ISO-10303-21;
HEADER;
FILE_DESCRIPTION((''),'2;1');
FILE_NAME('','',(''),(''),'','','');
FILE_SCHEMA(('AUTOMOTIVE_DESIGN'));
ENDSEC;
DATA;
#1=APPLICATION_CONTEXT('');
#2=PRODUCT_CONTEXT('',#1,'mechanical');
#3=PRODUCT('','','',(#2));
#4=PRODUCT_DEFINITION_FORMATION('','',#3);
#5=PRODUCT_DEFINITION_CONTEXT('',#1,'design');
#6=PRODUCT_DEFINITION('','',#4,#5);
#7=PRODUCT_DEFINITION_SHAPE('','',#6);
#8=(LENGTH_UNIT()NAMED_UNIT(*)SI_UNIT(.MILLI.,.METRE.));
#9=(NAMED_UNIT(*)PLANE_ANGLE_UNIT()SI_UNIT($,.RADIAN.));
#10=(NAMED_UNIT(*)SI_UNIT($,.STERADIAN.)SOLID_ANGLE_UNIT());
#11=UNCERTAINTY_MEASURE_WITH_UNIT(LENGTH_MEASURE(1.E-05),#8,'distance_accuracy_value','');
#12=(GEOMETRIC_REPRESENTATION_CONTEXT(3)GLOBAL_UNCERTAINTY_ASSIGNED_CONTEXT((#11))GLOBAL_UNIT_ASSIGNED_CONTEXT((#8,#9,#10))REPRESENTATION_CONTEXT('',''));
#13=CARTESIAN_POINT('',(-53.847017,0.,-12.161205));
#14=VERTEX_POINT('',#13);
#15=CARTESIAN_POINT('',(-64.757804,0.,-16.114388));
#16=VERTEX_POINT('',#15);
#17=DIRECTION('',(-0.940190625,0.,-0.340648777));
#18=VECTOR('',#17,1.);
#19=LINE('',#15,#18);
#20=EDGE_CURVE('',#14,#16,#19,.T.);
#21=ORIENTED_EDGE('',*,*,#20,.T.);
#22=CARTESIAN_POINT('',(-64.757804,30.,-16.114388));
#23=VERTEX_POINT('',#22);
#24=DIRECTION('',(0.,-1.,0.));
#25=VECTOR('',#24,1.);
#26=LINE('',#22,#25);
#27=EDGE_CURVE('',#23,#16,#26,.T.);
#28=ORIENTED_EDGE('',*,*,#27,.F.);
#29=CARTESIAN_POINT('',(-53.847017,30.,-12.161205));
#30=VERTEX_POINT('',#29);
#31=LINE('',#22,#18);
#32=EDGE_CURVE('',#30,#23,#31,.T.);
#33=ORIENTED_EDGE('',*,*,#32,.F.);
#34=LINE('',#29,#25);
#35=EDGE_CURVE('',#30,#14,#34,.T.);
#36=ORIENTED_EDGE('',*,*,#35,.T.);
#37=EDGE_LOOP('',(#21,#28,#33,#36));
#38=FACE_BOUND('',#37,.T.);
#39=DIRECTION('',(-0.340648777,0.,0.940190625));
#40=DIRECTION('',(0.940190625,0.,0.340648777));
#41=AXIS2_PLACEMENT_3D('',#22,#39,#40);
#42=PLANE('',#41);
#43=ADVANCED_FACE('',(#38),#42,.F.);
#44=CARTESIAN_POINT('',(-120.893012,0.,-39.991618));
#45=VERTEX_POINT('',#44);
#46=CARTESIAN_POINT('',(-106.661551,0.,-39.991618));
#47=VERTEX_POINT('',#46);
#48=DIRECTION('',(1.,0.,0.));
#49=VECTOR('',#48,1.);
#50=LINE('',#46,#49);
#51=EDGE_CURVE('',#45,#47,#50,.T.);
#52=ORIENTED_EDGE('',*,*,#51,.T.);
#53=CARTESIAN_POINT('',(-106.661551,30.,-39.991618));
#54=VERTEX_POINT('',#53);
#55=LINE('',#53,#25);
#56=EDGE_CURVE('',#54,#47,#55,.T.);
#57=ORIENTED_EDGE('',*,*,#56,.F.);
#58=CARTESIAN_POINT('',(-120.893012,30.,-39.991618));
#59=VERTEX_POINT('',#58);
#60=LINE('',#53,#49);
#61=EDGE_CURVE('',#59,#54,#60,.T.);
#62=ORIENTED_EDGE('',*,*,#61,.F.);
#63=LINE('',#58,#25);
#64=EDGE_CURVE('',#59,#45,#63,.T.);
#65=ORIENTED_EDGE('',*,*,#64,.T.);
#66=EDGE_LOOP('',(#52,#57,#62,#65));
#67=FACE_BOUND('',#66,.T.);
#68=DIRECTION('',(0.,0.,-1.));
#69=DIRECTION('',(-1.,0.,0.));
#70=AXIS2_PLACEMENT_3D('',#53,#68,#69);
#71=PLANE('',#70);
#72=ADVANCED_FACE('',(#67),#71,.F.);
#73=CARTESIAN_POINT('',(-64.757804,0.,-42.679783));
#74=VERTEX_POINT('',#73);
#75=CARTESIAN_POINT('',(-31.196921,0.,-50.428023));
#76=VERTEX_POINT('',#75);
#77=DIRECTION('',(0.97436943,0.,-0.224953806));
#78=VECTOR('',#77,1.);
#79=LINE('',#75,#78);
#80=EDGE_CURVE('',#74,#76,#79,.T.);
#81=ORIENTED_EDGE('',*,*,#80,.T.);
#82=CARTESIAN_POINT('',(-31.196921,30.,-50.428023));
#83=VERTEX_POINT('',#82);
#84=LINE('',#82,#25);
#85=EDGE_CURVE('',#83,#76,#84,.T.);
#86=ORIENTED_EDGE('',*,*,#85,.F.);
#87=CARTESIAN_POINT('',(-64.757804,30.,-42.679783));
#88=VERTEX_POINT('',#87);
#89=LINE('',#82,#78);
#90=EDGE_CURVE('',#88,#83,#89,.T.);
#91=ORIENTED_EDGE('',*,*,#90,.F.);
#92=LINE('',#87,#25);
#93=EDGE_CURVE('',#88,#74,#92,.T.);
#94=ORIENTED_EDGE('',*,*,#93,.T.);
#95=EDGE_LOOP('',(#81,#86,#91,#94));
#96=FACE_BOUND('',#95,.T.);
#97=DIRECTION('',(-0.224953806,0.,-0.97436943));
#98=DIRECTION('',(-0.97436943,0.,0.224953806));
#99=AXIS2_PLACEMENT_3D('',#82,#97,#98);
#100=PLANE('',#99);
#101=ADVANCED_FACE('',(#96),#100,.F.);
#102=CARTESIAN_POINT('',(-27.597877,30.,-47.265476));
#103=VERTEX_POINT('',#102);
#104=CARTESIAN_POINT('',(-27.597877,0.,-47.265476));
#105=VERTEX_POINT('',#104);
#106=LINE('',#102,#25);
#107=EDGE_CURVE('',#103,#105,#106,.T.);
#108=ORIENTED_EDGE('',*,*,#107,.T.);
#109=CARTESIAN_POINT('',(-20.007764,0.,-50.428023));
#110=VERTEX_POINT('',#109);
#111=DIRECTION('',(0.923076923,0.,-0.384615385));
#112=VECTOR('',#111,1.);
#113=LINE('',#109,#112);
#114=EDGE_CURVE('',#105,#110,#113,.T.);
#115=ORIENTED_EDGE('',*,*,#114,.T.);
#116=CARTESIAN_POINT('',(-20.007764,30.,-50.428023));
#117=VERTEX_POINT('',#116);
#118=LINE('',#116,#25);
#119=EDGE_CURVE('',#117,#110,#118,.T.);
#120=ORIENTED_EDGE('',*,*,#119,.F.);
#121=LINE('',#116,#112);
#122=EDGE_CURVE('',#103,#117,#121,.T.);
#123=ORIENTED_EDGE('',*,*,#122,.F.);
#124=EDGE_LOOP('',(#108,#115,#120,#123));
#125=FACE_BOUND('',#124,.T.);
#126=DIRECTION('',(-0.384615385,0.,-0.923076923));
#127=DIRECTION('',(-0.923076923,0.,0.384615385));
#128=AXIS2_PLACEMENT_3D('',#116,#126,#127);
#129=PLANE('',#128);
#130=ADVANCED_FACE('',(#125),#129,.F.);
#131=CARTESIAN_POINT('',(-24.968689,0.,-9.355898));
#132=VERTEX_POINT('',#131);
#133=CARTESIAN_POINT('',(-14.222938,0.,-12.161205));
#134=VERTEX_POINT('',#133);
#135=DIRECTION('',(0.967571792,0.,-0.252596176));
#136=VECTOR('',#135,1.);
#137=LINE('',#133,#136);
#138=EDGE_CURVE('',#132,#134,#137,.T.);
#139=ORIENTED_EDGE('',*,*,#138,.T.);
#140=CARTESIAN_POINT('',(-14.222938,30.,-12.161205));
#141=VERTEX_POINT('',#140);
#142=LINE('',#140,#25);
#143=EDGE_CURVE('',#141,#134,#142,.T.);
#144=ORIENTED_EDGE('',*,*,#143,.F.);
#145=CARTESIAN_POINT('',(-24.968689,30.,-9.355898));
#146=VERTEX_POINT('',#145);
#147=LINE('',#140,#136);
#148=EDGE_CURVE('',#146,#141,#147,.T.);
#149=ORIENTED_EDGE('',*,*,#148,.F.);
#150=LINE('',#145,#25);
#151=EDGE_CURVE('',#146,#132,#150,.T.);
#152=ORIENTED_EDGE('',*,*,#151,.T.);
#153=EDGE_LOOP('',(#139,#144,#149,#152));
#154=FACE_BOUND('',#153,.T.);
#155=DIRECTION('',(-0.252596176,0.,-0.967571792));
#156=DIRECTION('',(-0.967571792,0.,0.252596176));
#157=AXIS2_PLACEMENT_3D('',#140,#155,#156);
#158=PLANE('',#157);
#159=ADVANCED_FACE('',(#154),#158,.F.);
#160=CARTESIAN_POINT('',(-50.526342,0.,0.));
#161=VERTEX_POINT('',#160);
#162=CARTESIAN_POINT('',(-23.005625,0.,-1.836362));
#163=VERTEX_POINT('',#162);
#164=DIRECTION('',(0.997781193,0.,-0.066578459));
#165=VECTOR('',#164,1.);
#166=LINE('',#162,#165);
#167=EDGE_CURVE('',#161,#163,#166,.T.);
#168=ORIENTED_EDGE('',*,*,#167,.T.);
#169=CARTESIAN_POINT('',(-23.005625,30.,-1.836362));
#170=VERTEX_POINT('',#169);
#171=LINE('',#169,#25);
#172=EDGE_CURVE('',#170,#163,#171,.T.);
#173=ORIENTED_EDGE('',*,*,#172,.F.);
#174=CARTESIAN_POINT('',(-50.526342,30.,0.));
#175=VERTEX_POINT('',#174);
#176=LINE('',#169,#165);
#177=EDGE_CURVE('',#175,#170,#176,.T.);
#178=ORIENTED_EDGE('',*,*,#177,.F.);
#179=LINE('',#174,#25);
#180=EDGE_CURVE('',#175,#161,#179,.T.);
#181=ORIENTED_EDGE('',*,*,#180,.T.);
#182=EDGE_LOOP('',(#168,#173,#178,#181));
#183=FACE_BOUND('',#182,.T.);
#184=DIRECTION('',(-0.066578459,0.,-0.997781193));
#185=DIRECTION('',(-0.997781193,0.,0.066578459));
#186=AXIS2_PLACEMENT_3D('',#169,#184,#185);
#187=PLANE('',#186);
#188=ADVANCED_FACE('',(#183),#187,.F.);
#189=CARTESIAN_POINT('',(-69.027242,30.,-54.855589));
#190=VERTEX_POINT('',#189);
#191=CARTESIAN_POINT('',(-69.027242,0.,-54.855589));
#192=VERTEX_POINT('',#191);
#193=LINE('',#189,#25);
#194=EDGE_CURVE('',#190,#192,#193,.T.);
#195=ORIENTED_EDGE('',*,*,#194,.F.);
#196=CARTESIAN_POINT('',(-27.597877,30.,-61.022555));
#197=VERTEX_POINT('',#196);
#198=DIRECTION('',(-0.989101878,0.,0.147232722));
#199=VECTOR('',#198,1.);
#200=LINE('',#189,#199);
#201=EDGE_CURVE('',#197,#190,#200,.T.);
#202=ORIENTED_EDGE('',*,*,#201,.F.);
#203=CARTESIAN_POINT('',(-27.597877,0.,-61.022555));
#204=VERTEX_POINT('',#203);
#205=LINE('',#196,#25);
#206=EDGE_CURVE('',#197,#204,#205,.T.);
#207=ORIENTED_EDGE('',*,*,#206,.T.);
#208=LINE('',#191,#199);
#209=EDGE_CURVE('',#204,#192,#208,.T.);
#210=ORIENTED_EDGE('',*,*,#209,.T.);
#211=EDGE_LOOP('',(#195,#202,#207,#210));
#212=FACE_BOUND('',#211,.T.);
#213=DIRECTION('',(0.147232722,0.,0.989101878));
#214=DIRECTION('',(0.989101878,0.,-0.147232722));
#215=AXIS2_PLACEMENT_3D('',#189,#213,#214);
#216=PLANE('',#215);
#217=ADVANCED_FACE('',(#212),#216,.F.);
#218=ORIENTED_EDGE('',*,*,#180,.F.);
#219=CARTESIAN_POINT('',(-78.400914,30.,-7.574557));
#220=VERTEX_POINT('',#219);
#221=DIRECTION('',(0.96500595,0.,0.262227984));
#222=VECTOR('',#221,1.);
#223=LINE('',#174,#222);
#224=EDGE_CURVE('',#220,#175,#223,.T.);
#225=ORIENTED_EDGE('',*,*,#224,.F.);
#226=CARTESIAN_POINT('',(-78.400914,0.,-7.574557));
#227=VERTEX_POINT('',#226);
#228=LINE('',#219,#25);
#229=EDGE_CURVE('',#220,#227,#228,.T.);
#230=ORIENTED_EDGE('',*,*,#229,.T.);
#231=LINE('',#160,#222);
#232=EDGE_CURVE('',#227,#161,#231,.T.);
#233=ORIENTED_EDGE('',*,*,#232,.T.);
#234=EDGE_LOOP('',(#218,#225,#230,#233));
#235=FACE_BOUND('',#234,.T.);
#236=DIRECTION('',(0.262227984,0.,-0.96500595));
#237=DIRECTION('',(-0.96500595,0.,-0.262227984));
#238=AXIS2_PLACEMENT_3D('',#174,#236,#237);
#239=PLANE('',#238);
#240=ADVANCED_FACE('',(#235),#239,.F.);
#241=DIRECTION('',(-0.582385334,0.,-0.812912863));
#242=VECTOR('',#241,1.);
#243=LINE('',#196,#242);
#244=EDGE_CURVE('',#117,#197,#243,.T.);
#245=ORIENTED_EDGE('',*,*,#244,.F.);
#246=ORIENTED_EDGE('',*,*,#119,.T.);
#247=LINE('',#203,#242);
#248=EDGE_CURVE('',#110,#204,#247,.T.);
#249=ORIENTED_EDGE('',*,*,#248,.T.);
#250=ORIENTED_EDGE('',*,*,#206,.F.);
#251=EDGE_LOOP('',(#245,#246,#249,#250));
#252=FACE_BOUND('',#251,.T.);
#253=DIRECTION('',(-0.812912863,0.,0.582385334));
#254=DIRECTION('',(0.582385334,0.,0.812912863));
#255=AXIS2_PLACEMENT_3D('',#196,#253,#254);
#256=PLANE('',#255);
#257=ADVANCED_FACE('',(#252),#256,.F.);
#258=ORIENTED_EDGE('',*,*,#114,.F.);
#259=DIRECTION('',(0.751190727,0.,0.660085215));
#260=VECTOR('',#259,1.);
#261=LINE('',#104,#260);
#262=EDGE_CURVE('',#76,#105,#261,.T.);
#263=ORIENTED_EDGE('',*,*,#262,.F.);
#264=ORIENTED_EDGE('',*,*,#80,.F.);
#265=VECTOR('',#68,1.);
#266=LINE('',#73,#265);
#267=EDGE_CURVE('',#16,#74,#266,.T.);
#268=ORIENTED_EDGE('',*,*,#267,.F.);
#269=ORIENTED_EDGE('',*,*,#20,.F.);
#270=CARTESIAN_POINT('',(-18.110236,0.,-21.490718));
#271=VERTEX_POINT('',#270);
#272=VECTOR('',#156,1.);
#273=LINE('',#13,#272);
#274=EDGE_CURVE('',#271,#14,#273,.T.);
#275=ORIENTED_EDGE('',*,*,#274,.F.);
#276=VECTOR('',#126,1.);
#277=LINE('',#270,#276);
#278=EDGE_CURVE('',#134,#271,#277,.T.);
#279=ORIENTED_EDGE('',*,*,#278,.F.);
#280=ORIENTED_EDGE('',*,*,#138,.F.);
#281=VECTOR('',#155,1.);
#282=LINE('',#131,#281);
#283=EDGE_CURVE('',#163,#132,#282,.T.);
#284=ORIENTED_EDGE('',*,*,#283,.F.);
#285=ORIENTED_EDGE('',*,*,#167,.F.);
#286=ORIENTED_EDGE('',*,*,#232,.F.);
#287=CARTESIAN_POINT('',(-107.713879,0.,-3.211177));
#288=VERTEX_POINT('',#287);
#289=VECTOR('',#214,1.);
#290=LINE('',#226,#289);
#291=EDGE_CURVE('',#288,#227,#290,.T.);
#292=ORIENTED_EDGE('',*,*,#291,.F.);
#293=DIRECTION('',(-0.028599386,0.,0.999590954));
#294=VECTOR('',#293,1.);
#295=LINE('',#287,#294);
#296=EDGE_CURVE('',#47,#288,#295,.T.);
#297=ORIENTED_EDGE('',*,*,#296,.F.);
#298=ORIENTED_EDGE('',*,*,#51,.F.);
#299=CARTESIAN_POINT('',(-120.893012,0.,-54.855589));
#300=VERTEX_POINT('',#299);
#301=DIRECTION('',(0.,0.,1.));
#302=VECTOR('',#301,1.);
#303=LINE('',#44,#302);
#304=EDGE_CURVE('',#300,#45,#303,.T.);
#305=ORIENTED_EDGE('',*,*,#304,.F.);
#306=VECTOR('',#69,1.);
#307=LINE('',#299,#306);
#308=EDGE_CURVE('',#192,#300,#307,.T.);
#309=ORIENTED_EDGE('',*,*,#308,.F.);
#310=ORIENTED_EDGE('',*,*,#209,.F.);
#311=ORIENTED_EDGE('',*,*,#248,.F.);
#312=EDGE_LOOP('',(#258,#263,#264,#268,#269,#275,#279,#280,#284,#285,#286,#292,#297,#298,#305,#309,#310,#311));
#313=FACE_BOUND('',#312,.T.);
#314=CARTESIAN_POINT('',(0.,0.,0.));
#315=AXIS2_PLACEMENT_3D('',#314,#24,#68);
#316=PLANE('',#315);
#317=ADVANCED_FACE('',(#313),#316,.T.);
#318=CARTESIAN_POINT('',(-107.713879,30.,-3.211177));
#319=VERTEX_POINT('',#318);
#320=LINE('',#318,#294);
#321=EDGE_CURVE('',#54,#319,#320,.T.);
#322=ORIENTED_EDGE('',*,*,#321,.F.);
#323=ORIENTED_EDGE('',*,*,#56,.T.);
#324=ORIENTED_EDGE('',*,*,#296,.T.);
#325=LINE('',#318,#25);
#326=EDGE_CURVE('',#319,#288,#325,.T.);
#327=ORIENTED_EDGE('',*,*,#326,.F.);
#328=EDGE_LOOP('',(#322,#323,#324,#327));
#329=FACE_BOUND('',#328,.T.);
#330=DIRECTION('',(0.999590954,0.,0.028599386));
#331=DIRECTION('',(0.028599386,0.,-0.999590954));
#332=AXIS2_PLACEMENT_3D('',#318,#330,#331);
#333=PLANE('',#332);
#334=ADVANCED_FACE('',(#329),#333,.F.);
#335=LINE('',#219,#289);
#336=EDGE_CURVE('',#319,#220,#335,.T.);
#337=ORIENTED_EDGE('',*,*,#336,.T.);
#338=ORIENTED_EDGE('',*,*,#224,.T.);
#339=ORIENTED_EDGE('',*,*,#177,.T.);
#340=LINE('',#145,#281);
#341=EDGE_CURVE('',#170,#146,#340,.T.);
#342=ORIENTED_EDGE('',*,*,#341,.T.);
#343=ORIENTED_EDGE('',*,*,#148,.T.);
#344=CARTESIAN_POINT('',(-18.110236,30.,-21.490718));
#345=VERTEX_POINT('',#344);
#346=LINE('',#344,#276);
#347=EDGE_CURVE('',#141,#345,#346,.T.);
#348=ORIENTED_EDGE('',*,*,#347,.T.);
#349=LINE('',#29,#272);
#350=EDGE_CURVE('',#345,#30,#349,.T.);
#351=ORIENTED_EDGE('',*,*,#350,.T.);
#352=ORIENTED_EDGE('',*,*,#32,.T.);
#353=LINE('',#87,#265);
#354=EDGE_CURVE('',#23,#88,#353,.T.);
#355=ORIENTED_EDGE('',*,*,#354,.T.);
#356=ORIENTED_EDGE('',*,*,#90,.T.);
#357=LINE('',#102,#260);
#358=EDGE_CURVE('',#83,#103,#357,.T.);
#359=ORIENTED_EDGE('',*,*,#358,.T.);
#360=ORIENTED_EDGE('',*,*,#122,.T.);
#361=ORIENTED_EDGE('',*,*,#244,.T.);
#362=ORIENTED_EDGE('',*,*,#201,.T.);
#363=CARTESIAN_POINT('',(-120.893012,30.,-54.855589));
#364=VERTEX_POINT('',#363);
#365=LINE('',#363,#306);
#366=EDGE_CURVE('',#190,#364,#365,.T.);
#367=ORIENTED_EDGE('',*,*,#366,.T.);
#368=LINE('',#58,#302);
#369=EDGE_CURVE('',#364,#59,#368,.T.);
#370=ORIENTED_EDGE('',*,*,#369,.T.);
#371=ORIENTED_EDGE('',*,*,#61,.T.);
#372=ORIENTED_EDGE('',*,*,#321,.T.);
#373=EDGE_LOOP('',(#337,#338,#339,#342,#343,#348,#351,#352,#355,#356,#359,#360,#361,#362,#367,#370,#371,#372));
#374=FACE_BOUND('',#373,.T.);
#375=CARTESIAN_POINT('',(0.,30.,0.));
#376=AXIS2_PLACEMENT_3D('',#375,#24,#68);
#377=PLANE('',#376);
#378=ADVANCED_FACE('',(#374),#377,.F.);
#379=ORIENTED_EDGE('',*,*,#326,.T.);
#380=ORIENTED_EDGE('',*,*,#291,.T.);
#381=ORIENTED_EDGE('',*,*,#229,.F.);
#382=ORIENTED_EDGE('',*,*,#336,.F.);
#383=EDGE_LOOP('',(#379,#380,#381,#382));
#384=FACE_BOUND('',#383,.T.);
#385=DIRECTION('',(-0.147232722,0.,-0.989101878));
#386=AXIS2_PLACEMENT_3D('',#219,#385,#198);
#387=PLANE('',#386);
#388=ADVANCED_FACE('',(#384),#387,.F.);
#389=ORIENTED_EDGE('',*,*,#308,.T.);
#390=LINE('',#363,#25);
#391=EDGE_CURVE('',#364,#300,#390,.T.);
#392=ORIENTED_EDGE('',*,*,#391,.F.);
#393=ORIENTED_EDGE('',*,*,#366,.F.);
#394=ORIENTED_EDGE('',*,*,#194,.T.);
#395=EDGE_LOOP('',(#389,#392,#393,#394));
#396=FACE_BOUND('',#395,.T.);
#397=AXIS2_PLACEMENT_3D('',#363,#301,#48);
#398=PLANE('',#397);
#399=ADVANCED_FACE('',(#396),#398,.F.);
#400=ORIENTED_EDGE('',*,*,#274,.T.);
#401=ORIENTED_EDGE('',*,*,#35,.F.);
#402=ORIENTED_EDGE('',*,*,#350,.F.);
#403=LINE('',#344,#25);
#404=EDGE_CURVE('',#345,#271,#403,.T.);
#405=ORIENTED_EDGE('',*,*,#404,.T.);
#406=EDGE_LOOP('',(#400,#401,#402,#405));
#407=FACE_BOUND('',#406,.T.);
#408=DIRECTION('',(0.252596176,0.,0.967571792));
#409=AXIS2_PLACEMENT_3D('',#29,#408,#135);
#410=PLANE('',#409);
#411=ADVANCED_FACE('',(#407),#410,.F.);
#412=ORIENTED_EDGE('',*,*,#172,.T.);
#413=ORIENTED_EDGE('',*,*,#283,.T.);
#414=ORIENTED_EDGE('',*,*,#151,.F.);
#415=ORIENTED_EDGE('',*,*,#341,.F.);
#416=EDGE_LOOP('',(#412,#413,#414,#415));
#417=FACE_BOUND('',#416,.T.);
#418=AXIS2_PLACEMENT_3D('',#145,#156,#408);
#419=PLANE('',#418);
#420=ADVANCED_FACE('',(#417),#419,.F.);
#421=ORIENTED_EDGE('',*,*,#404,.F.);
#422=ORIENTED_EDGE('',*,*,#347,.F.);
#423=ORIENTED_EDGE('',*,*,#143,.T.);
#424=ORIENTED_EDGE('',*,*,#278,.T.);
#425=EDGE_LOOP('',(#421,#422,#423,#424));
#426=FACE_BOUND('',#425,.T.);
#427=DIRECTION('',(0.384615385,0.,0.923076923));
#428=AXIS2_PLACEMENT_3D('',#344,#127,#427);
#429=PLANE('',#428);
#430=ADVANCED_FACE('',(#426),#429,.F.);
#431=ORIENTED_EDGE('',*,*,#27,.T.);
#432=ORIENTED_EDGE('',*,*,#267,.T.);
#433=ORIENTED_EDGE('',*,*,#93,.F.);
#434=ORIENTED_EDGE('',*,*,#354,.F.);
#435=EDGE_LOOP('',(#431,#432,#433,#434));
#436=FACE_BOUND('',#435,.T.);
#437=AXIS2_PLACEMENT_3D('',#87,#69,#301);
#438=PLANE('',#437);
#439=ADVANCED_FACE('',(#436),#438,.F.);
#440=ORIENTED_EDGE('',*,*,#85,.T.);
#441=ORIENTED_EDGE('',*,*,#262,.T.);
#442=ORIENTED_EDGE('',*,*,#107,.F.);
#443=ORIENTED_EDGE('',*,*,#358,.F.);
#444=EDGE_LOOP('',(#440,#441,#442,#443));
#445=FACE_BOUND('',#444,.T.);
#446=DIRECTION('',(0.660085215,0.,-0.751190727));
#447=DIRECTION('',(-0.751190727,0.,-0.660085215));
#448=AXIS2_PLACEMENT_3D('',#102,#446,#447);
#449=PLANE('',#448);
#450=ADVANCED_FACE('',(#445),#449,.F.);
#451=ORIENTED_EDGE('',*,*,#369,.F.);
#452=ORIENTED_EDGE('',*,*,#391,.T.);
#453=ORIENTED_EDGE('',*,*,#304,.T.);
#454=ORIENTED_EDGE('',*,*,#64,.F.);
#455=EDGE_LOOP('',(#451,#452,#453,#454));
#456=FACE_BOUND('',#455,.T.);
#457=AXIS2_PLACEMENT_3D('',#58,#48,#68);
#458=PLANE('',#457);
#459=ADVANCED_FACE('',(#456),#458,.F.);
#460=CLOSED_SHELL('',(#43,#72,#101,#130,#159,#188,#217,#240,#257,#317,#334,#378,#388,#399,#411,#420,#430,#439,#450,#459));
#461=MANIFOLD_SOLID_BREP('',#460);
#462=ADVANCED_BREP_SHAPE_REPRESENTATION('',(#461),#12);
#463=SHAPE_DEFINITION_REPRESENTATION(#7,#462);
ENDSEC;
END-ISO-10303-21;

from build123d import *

# Parameters (mm, degrees)
EXTRUDE_1_DEPTH = 30


with BuildPart() as part:
    # 草图2 → 凸台-拉伸1 (new body)
    with BuildSketch(Plane(origin=(0, 0, 0), x_dir=(1, 0, 0), z_dir=(0, 1, 0))):
        Polygon((-120.893012342, 54.855588763), (-69.02724203, 54.855588763), (-27.597876721, 61.022555355), (-20.007763992, 50.428023005), (-27.597876721, 47.265476035), (-31.196921059, 50.428023005), (-64.757803621, 42.679782928), (-64.757803621, 16.114388378), (-53.847016573, 12.161204665), (-18.11023581, 21.490718228), (-14.222938492, 12.161204665), (-24.968689401, 9.355898012), (-23.005624562, 1.836361512), (-50.526342255, 0), (-78.400913929, 7.574557161), (-107.713879476, 3.211176794), (-106.661550976, 39.991618003), (-120.893012342, 39.991618003), align=None)
    extrude(amount=EXTRUDE_1_DEPTH)


solid = part.part
